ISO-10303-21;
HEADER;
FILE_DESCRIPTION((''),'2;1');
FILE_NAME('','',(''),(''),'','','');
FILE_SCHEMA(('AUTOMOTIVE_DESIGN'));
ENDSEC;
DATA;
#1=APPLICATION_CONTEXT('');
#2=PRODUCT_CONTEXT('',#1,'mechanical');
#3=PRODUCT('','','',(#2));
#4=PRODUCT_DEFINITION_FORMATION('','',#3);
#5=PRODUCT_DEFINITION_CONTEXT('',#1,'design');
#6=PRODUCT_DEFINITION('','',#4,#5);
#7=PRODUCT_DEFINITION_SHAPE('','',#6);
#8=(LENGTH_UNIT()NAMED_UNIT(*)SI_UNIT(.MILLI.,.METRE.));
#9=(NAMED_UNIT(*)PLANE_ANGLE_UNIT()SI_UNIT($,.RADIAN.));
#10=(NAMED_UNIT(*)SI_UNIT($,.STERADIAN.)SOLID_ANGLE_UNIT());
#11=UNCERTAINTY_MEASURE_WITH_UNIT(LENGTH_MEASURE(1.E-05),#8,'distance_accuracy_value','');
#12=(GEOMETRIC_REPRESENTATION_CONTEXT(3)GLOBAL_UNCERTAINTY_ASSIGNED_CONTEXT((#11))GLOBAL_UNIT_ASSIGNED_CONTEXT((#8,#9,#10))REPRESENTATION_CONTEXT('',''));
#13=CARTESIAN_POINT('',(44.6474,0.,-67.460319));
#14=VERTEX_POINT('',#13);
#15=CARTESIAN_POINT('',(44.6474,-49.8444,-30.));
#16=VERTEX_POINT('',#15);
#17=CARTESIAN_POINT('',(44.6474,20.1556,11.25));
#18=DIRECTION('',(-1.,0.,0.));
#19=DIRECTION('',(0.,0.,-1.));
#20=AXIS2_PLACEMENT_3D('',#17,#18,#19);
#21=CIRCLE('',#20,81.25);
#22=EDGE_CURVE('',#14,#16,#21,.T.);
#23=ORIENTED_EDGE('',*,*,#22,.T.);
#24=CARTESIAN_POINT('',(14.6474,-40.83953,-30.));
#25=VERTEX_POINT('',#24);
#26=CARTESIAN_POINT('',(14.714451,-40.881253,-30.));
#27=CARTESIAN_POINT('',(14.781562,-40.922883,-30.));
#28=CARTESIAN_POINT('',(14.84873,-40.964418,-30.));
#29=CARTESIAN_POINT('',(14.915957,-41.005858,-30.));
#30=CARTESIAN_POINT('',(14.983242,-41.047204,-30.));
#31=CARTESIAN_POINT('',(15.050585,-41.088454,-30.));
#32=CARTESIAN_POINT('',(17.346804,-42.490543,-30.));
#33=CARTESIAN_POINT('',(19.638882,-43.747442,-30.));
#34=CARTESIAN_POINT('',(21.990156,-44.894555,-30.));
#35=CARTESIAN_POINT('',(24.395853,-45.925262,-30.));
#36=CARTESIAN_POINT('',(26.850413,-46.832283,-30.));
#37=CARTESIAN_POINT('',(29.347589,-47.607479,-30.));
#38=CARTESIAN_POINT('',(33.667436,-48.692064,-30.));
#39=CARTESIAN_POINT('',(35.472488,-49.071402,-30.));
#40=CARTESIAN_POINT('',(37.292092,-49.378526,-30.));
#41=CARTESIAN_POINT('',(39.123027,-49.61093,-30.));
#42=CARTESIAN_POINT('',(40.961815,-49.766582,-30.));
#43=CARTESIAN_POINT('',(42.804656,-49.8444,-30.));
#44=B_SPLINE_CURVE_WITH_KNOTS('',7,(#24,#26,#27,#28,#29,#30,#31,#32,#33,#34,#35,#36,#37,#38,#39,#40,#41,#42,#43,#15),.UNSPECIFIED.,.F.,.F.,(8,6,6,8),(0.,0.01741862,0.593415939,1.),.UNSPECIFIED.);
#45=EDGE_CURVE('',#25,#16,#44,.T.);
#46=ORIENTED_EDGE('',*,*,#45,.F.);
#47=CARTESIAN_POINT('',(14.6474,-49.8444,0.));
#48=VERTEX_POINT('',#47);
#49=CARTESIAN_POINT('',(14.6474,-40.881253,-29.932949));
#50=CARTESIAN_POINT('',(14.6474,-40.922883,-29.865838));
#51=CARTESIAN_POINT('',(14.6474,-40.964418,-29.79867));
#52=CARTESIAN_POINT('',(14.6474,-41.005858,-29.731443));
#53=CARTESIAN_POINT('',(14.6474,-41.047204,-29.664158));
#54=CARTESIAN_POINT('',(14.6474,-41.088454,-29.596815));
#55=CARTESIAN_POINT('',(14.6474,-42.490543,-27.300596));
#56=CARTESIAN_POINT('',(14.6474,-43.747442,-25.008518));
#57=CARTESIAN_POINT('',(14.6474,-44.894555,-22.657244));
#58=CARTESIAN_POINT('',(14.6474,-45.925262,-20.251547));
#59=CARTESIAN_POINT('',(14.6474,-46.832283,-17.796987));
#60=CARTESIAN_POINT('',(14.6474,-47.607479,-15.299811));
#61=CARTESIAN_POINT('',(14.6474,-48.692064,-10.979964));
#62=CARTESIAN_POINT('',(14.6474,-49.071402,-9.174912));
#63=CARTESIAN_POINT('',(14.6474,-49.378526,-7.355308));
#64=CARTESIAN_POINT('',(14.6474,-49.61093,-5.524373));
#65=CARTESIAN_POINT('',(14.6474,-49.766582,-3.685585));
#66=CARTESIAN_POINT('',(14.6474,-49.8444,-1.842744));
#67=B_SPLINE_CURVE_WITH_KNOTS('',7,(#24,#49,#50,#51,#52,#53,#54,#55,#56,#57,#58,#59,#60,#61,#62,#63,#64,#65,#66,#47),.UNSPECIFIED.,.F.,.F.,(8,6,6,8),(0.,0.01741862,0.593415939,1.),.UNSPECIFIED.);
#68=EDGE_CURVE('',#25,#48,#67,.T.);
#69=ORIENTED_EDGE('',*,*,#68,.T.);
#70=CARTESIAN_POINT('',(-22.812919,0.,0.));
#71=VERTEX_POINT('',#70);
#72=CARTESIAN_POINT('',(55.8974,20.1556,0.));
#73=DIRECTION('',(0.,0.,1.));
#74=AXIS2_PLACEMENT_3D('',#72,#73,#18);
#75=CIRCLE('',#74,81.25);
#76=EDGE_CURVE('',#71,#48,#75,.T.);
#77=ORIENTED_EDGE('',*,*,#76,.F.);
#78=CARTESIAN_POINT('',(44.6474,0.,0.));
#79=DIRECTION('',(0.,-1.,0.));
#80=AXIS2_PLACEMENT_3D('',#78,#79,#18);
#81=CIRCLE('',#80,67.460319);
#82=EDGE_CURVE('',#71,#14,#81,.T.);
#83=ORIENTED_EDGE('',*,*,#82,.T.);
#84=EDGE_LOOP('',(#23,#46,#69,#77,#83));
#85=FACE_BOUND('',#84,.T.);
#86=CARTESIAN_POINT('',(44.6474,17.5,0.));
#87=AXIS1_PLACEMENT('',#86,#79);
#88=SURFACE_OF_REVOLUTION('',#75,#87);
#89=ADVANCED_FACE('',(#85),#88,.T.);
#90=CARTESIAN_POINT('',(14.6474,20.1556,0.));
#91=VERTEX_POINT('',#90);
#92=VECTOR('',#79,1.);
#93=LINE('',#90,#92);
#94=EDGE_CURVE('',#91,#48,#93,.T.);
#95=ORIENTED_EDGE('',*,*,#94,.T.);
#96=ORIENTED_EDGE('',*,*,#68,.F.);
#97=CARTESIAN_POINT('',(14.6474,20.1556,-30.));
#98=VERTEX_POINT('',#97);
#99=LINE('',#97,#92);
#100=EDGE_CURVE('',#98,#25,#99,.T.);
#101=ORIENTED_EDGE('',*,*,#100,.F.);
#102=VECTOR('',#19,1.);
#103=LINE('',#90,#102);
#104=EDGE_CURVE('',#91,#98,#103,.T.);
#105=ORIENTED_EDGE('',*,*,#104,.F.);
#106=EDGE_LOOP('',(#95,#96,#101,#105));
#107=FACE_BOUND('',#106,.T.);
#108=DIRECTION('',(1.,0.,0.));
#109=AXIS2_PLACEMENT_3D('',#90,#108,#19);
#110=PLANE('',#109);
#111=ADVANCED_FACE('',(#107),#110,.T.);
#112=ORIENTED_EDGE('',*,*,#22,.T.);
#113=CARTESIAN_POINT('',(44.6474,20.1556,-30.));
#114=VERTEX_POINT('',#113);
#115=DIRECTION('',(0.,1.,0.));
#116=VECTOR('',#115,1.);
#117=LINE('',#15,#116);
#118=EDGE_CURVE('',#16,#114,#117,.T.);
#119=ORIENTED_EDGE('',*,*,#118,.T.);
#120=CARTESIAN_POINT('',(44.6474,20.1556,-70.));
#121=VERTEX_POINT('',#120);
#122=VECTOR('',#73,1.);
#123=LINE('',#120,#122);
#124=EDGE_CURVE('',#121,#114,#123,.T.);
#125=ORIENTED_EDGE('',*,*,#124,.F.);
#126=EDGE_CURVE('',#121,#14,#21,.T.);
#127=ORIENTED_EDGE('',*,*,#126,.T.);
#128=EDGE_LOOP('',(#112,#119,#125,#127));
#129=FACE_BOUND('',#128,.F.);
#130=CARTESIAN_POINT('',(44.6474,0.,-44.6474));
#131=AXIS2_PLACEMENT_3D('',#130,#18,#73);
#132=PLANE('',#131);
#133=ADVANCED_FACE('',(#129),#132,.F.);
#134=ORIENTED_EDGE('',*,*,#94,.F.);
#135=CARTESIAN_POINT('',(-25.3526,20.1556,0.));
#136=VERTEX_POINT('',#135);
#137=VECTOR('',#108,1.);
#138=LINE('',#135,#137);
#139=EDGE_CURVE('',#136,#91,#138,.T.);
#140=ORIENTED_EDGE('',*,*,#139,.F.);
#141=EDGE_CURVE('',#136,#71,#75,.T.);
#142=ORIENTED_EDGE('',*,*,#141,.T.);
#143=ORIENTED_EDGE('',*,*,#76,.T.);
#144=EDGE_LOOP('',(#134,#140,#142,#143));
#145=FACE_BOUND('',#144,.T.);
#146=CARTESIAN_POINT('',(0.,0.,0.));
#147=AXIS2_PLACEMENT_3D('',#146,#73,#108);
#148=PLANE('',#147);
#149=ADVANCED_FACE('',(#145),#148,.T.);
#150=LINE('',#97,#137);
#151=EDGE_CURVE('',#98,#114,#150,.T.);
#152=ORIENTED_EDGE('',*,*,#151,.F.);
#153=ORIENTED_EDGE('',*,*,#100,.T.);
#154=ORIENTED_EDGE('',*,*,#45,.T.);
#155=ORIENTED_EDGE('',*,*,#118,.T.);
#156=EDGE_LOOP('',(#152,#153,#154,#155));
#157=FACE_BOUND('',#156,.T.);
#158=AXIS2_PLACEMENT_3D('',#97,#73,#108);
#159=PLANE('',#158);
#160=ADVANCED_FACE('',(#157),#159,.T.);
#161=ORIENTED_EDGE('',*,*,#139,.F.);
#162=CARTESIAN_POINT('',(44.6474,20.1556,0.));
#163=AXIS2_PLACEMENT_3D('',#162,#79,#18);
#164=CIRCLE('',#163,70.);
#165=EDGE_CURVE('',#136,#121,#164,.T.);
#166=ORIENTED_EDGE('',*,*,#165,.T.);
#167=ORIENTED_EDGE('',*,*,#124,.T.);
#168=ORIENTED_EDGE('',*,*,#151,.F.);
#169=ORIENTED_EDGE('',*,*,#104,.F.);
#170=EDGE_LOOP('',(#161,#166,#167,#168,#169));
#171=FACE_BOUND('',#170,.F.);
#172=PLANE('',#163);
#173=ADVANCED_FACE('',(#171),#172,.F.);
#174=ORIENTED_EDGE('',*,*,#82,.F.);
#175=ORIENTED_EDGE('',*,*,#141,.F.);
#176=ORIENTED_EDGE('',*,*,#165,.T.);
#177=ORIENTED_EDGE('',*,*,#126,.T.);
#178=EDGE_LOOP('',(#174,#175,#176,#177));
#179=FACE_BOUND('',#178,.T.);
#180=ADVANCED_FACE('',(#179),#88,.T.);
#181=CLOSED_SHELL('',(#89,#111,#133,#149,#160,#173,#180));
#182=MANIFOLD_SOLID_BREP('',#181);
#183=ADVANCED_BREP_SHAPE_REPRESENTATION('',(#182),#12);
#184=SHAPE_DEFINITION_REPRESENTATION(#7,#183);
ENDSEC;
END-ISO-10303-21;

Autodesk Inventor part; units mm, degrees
sketch "Эскиз1" plane through (0, 0, 0) normal (0, 0, 1) x (1, 0, 0)
  line L0 (-25.3526, 20.1556) -> (14.6474, 20.1556)
  line L1 (14.6474, 20.1556) -> (14.6474, -49.8444)
  arc A0 (-25.3526, 20.1556) -> (14.6474, -49.8444) centre (55.8974, 20.1556) ccw
  line L2 (14.6474, 20.1556) -> (-14.6474, -20.1556) construction
  line L3 (44.6474, 17.5) -> (44.6474, -17.5)
  line L4 (-52.7563, 0) -> (74.0063, 0) projected
  line L5 (14.6474, -49.8444) -> (14.6474, 20.1556)
  point P0 (0, 0)
  point P1 (0, 0)
  point P2 (44.6474, 0)
  dimension "d0" = 40
  dimension "d1" = 70
  dimension "d3" = 35
  dimension "d6" = 70
revolve "Вращение1" add sketch "Эскиз1" angle 90 about axis through (44.6474, 17.5, 0) along (0, -1, 0)
sketch "Эскиз4" plane through (-25.3526, 20.1556, 0) normal (0, 1, 0) x (1, 0, 0)
  line L0 (70, 0) -> (40, 0)
  line L1 (40, 0) -> (40, 30)
  line L2 (40, 30) -> (70, 30)
  line L3 (70, 30) -> (70, 0)
  point P0 (25.3526, 0)
  point P1 (70, 30)
  point P2 (40, 0)
  dimension "d10" = 30
extrude "Выдавливание2" cut sketch "Эскиз4" against normal up to next
ref_plane "РабПлоскость2" through (44.6474, 20.1556, 0) normal (-0.7071, 0, 0.7071) x (0, -1, 0)
sketch "Эскиз6" plane through (44.6474, 20.1556, 0) normal (-0.7071, 0, 0.7071) x (0, -1, 0)
  line L0 (0, -21.2132) -> (70, -21.2132) projected
  line L1 (0, -21.2132) -> (70, -21.2132)
  line L2 (70, -21.2132) -> (70, -71.2802)
  line L3 (70, -71.2802) -> (0, -71.2802)
  line L4 (0, -71.2802) -> (0, -21.2132)
  point P0 (20.1556, -31.5705)
  dimension "d22" = 50.067
extrude "Выдавливание4" [suppressed]
sketch "Эскиз7" plane through (44.6474, 20.1556, 0) normal (-0.7071, 0, 0.7071) x (0, -1, 0)
  line L0 (0, -21.2132) -> (0, -49.4975) projected
  line L1 (0, -21.2132) -> (70, -21.2132)
  line L2 (70, -21.2132) -> (70, -74.9142)
  line L3 (70, -74.9142) -> (0, -74.9142)
  line L4 (0, -74.9142) -> (0, -21.2132)
  point P0 (20.1556, -31.5705)
  dimension "d25" = 53.701
extrude "Выдавливание5" [suppressed]
properties part number "пробник"
